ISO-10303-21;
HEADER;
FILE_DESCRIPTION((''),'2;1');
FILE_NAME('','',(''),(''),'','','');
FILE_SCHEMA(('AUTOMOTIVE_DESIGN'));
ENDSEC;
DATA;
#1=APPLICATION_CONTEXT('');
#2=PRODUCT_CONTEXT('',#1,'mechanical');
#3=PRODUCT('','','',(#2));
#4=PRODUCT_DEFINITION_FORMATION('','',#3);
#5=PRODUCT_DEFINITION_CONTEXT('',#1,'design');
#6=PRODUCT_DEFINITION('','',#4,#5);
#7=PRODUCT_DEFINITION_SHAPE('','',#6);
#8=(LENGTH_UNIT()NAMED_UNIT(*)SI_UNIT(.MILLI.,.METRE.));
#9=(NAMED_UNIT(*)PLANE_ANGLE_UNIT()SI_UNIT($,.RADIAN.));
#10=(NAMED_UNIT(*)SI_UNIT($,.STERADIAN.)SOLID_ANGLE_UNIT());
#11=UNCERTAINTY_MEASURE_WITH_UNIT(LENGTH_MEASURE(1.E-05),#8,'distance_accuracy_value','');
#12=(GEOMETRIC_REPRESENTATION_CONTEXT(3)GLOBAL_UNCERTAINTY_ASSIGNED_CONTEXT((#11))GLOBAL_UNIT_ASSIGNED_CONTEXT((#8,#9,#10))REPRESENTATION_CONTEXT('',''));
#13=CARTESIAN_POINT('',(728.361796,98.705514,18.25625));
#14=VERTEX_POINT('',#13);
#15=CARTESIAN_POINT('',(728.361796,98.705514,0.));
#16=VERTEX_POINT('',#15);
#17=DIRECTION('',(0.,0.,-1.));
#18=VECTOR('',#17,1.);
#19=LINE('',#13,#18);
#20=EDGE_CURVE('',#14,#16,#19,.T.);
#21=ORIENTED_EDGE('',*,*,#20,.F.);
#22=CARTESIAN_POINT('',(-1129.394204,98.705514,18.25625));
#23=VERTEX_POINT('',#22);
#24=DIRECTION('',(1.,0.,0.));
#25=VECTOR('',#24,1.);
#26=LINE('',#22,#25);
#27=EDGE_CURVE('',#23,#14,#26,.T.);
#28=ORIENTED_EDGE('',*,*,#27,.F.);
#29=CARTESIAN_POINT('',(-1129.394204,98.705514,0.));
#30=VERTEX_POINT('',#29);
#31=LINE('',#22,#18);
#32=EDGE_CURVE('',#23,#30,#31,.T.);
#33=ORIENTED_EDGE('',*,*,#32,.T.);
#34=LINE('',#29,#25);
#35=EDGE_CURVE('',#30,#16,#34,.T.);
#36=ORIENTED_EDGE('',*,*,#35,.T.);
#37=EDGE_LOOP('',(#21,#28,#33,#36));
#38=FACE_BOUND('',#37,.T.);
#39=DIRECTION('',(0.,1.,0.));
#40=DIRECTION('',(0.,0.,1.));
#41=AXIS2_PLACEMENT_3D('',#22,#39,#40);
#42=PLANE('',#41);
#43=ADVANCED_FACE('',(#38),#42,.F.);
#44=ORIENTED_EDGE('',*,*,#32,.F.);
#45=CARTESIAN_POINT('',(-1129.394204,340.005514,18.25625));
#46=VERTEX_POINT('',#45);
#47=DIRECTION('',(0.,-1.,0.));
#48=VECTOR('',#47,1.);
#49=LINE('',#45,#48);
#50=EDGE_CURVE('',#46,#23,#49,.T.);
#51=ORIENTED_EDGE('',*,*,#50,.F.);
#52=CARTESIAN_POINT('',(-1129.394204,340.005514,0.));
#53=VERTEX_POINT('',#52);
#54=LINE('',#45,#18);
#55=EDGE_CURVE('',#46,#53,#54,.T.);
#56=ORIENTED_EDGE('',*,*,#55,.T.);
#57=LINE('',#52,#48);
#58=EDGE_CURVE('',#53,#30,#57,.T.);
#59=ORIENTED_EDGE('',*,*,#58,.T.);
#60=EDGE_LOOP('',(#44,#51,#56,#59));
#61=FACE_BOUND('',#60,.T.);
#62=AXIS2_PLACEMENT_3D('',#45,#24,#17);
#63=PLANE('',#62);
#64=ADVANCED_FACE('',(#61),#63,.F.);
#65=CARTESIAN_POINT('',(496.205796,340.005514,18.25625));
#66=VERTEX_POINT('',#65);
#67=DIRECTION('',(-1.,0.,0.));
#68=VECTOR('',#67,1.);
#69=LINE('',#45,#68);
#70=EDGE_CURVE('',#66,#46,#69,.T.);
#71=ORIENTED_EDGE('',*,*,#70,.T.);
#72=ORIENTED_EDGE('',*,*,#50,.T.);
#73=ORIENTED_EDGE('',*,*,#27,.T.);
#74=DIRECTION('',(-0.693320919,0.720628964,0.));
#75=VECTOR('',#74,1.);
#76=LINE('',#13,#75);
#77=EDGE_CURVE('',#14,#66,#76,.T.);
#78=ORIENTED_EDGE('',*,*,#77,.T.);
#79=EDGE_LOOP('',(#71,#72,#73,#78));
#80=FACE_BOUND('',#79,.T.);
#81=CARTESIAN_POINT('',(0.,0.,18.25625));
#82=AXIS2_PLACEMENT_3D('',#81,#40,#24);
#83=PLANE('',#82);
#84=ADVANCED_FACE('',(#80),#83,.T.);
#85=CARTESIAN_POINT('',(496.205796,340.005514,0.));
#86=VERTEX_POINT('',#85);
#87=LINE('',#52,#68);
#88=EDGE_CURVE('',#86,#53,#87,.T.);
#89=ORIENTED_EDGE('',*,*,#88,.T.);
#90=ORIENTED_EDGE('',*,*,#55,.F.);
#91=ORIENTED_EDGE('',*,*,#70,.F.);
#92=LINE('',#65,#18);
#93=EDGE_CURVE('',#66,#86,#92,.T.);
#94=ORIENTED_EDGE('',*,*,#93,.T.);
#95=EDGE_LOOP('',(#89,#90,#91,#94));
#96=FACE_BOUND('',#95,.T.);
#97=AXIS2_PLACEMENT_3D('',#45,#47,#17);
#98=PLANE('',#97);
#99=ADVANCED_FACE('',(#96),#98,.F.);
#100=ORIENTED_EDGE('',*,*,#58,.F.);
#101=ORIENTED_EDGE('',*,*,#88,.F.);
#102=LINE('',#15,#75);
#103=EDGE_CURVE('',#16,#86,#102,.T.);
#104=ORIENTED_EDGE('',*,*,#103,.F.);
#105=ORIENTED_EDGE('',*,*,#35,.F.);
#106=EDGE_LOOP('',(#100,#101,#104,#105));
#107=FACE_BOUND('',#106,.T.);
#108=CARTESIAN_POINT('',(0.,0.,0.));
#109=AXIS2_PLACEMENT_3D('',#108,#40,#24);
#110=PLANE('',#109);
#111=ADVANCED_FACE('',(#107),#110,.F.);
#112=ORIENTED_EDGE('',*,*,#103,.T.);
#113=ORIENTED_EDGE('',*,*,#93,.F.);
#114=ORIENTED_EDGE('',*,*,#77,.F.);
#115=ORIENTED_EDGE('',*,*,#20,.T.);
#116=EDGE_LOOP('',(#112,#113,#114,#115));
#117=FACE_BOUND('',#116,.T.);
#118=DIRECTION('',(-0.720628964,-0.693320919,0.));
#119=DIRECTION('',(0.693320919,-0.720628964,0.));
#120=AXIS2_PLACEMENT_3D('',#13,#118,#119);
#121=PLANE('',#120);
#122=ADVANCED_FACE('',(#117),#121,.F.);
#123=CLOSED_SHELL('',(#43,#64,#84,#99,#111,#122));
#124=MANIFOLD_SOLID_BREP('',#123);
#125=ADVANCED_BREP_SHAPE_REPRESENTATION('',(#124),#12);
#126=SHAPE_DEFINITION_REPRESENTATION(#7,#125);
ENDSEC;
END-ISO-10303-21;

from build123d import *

# Parameters (mm, degrees)
BOSS_EXTRUDE1_DEPTH = 18.25625


with BuildPart() as part:
    # Sketch1 → Boss-Extrude1 (new body)
    with BuildSketch(Plane.XY):
        Polygon((728.361796314, 98.705513985), (496.205796314, 340.005513985), (-1129.394203686, 340.005513985), (-1129.394203686, 98.705513985), align=None)
    extrude(amount=BOSS_EXTRUDE1_DEPTH)


solid = part.part
